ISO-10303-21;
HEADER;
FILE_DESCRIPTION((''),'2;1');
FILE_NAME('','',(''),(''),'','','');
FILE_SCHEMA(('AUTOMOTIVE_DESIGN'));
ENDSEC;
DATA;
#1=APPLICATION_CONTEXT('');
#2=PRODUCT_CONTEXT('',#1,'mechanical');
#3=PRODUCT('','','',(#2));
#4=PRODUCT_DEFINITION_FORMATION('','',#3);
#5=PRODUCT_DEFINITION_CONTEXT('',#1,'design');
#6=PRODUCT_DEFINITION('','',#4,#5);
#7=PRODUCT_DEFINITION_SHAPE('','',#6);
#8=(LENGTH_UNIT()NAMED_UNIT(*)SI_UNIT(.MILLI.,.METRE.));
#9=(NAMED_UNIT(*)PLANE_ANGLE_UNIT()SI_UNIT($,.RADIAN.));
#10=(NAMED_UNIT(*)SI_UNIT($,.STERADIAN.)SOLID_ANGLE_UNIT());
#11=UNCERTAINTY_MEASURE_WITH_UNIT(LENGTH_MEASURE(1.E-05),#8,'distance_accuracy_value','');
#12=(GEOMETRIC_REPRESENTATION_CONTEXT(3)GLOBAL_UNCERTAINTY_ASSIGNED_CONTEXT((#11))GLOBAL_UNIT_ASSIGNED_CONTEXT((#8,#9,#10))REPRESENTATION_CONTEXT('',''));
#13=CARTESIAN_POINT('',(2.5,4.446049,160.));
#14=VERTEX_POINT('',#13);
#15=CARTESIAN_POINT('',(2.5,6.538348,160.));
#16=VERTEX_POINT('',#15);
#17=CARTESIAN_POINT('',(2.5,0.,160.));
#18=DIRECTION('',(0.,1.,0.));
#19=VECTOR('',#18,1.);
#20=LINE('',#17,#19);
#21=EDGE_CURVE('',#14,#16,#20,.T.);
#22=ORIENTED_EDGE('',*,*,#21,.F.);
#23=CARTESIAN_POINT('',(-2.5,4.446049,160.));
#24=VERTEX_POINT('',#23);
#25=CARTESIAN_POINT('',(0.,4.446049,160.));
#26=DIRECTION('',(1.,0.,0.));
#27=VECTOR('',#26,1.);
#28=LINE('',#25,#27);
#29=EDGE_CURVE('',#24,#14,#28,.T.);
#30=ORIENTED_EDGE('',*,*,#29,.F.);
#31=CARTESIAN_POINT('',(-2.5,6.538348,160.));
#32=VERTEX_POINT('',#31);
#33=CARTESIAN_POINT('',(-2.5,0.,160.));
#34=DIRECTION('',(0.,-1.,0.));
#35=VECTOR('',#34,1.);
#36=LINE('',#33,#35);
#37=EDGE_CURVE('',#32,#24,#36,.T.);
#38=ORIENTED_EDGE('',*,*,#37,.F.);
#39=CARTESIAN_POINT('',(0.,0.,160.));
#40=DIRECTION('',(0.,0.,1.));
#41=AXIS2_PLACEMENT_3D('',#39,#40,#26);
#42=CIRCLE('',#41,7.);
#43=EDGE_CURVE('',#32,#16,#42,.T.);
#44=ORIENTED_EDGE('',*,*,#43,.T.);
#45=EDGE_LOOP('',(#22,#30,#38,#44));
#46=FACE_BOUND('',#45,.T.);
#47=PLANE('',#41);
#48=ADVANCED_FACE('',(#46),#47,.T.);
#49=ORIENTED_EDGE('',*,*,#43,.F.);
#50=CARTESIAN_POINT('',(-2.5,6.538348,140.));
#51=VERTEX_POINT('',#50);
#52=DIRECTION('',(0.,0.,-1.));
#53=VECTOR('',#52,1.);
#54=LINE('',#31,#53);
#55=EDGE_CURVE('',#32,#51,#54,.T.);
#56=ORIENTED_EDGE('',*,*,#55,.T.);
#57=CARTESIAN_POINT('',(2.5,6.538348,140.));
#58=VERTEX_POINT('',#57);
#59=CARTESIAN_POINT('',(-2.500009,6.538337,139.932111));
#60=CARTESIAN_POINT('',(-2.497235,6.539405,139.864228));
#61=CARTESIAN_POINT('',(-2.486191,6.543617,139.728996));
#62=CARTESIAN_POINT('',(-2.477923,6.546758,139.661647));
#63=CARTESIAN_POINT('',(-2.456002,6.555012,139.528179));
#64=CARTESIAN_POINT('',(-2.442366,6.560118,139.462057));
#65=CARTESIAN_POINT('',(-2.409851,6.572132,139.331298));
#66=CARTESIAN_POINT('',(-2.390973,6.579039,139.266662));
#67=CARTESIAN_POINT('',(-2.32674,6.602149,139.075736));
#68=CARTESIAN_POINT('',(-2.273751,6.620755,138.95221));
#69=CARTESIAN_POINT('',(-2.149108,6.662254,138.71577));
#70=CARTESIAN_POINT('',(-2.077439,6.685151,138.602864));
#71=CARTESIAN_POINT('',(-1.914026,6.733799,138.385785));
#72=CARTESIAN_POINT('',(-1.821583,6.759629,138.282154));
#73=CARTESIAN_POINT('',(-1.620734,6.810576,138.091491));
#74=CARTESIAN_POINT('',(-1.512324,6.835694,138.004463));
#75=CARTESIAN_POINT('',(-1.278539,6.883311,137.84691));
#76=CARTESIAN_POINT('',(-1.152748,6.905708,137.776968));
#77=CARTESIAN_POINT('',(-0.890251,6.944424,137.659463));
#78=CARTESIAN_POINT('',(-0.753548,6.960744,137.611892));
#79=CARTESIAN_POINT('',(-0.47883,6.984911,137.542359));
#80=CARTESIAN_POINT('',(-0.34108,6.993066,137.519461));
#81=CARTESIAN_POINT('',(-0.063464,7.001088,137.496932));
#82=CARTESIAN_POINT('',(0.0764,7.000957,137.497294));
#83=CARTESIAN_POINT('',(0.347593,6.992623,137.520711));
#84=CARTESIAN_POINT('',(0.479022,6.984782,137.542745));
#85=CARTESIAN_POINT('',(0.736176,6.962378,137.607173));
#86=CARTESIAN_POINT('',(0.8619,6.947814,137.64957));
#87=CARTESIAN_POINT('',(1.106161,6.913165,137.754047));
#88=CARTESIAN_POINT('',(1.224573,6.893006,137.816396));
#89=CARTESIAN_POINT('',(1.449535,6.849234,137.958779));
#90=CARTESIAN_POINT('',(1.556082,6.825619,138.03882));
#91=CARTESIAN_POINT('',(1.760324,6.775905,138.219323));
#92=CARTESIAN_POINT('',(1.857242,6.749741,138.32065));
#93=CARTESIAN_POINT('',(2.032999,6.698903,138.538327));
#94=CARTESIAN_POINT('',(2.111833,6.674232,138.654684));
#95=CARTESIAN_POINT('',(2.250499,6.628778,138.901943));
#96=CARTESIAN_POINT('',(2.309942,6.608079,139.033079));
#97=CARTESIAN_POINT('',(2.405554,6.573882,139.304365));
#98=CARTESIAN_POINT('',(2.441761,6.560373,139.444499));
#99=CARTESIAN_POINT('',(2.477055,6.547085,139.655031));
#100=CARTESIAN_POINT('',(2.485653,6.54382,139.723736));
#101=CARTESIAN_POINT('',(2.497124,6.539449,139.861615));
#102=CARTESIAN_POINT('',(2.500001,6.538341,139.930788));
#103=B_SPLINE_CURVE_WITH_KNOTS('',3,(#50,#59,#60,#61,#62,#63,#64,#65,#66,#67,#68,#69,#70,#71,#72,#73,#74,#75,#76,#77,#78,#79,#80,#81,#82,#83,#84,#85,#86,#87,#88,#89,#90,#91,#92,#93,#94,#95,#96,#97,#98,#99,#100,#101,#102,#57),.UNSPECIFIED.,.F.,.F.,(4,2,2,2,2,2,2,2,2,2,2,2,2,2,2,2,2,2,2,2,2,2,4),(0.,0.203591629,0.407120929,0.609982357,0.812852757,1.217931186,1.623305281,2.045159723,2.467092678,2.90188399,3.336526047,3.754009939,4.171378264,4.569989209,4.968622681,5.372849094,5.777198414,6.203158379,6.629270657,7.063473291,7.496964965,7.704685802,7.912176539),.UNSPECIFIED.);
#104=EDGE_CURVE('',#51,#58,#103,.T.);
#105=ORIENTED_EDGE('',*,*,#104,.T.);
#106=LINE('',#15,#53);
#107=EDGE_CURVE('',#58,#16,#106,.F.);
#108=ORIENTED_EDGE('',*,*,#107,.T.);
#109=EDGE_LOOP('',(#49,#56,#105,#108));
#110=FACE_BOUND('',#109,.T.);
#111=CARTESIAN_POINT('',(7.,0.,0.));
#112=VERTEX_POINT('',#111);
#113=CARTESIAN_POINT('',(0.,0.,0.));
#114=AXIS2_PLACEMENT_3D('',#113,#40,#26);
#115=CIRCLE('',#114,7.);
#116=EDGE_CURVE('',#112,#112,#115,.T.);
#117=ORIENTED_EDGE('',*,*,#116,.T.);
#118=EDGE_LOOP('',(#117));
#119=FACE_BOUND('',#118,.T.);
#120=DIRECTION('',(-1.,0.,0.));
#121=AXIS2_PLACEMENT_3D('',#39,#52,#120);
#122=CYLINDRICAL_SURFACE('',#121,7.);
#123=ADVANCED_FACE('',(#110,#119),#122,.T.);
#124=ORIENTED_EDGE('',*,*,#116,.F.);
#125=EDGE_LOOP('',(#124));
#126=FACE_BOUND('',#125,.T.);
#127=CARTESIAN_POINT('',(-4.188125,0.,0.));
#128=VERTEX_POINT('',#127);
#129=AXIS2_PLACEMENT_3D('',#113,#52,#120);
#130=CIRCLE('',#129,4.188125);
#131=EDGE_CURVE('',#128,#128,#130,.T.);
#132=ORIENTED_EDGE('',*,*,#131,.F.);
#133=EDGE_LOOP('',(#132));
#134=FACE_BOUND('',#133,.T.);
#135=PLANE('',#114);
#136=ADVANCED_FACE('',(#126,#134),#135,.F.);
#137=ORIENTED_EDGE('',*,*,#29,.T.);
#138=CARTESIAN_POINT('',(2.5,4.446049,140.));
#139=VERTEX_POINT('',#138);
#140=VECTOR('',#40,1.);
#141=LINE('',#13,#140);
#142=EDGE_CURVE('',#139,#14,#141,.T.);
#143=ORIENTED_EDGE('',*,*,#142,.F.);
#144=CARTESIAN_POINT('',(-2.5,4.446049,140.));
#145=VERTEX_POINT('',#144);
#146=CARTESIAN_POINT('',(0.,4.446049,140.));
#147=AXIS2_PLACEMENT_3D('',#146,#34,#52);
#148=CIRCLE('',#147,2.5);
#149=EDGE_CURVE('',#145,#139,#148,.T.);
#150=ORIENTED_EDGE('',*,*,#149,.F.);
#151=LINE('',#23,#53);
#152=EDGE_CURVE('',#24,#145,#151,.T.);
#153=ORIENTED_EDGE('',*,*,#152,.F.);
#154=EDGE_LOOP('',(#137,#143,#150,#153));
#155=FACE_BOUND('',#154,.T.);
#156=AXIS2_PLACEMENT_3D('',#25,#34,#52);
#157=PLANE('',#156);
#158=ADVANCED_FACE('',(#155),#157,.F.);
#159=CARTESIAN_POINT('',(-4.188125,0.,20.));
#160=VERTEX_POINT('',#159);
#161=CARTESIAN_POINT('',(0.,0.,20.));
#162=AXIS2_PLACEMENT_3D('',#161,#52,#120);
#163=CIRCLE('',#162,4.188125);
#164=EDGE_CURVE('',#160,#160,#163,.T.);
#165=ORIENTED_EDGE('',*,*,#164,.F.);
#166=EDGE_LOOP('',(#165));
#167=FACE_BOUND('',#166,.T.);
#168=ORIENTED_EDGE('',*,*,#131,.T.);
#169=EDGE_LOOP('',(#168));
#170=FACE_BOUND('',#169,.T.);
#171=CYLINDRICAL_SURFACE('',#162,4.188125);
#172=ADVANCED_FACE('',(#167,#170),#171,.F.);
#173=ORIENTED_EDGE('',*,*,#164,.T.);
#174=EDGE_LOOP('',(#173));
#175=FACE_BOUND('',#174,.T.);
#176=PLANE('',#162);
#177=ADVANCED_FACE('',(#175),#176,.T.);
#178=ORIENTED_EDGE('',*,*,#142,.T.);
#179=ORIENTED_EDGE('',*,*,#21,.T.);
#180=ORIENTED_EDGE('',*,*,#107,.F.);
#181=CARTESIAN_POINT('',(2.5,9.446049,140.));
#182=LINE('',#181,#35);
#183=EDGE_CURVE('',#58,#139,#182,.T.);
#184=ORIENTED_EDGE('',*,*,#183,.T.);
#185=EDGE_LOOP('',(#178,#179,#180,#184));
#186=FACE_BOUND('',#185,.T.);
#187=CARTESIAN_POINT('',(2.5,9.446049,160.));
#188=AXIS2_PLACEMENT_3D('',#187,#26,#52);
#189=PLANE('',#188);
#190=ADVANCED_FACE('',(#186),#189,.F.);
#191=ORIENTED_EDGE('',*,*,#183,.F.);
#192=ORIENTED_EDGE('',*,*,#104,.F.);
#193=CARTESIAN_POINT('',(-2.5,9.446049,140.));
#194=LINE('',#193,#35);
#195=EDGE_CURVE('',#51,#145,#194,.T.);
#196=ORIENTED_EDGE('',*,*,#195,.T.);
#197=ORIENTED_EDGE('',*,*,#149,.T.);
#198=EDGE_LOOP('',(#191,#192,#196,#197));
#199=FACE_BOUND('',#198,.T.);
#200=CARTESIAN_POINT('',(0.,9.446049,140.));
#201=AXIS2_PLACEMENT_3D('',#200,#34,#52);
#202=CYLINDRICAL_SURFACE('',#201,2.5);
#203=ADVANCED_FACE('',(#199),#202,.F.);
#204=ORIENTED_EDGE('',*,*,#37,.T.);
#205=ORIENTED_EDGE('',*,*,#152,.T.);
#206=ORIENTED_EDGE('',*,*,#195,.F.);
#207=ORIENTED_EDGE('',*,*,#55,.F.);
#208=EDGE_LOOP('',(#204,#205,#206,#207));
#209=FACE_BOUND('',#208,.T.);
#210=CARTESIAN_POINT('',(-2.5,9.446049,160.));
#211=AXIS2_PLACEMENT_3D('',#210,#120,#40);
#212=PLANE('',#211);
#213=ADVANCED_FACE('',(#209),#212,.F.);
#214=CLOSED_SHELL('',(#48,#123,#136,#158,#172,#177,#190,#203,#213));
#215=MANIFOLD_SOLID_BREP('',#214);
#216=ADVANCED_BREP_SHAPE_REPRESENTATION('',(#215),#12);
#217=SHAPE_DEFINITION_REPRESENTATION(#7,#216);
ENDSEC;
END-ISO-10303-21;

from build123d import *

# Parameters (mm, degrees)
ESQUISSE1_R                  = 7
BOSS_EXTRU_1_DEPTH           = 160
ESQUISSE2_R                  = 4.188125
ENL_V_MAT_EXTRU_1_DEPTH      = 20
ENL_V_MAT_EXTRU_2_DEPTH      = 2.5
ENL_V_MAT_EXTRU_2_DEPTH_BACK = 2.5


with BuildPart() as part:
    # Esquisse1 → Boss.-Extru.1 (new body)
    with BuildSketch(Plane.XY):
        Circle(ESQUISSE1_R)
    extrude(amount=BOSS_EXTRU_1_DEPTH)

    # Esquisse2 → Enlèv. mat.-Extru.1 (cut)
    with BuildSketch(Plane(origin=(0, 0, 0), x_dir=(-1, 0, 0), z_dir=(0, 0, -1))):
        Circle(ESQUISSE2_R)
    extrude(amount=-ENL_V_MAT_EXTRU_1_DEPTH, mode=Mode.SUBTRACT)

    # Esquisse3 → Enlèv. mat.-Extru.2 (cut, two sides: drawn at the far end of the back side and taken through both)
    with BuildSketch(Plane.XZ.offset(-6.946049008).offset(-ENL_V_MAT_EXTRU_2_DEPTH_BACK)):
        with BuildLine():
            Line((2.5, 160), (2.5, 140))
            ThreePointArc((2.5, 140), (0, 137.5), (-2.5, 140))
            Line((-2.5, 140), (-2.5, 160))
            ThreePointArc((-2.5, 160), (0, 162.5), (2.5, 160))
        make_face()
    extrude(amount=ENL_V_MAT_EXTRU_2_DEPTH + ENL_V_MAT_EXTRU_2_DEPTH_BACK, mode=Mode.SUBTRACT)


solid = part.part
